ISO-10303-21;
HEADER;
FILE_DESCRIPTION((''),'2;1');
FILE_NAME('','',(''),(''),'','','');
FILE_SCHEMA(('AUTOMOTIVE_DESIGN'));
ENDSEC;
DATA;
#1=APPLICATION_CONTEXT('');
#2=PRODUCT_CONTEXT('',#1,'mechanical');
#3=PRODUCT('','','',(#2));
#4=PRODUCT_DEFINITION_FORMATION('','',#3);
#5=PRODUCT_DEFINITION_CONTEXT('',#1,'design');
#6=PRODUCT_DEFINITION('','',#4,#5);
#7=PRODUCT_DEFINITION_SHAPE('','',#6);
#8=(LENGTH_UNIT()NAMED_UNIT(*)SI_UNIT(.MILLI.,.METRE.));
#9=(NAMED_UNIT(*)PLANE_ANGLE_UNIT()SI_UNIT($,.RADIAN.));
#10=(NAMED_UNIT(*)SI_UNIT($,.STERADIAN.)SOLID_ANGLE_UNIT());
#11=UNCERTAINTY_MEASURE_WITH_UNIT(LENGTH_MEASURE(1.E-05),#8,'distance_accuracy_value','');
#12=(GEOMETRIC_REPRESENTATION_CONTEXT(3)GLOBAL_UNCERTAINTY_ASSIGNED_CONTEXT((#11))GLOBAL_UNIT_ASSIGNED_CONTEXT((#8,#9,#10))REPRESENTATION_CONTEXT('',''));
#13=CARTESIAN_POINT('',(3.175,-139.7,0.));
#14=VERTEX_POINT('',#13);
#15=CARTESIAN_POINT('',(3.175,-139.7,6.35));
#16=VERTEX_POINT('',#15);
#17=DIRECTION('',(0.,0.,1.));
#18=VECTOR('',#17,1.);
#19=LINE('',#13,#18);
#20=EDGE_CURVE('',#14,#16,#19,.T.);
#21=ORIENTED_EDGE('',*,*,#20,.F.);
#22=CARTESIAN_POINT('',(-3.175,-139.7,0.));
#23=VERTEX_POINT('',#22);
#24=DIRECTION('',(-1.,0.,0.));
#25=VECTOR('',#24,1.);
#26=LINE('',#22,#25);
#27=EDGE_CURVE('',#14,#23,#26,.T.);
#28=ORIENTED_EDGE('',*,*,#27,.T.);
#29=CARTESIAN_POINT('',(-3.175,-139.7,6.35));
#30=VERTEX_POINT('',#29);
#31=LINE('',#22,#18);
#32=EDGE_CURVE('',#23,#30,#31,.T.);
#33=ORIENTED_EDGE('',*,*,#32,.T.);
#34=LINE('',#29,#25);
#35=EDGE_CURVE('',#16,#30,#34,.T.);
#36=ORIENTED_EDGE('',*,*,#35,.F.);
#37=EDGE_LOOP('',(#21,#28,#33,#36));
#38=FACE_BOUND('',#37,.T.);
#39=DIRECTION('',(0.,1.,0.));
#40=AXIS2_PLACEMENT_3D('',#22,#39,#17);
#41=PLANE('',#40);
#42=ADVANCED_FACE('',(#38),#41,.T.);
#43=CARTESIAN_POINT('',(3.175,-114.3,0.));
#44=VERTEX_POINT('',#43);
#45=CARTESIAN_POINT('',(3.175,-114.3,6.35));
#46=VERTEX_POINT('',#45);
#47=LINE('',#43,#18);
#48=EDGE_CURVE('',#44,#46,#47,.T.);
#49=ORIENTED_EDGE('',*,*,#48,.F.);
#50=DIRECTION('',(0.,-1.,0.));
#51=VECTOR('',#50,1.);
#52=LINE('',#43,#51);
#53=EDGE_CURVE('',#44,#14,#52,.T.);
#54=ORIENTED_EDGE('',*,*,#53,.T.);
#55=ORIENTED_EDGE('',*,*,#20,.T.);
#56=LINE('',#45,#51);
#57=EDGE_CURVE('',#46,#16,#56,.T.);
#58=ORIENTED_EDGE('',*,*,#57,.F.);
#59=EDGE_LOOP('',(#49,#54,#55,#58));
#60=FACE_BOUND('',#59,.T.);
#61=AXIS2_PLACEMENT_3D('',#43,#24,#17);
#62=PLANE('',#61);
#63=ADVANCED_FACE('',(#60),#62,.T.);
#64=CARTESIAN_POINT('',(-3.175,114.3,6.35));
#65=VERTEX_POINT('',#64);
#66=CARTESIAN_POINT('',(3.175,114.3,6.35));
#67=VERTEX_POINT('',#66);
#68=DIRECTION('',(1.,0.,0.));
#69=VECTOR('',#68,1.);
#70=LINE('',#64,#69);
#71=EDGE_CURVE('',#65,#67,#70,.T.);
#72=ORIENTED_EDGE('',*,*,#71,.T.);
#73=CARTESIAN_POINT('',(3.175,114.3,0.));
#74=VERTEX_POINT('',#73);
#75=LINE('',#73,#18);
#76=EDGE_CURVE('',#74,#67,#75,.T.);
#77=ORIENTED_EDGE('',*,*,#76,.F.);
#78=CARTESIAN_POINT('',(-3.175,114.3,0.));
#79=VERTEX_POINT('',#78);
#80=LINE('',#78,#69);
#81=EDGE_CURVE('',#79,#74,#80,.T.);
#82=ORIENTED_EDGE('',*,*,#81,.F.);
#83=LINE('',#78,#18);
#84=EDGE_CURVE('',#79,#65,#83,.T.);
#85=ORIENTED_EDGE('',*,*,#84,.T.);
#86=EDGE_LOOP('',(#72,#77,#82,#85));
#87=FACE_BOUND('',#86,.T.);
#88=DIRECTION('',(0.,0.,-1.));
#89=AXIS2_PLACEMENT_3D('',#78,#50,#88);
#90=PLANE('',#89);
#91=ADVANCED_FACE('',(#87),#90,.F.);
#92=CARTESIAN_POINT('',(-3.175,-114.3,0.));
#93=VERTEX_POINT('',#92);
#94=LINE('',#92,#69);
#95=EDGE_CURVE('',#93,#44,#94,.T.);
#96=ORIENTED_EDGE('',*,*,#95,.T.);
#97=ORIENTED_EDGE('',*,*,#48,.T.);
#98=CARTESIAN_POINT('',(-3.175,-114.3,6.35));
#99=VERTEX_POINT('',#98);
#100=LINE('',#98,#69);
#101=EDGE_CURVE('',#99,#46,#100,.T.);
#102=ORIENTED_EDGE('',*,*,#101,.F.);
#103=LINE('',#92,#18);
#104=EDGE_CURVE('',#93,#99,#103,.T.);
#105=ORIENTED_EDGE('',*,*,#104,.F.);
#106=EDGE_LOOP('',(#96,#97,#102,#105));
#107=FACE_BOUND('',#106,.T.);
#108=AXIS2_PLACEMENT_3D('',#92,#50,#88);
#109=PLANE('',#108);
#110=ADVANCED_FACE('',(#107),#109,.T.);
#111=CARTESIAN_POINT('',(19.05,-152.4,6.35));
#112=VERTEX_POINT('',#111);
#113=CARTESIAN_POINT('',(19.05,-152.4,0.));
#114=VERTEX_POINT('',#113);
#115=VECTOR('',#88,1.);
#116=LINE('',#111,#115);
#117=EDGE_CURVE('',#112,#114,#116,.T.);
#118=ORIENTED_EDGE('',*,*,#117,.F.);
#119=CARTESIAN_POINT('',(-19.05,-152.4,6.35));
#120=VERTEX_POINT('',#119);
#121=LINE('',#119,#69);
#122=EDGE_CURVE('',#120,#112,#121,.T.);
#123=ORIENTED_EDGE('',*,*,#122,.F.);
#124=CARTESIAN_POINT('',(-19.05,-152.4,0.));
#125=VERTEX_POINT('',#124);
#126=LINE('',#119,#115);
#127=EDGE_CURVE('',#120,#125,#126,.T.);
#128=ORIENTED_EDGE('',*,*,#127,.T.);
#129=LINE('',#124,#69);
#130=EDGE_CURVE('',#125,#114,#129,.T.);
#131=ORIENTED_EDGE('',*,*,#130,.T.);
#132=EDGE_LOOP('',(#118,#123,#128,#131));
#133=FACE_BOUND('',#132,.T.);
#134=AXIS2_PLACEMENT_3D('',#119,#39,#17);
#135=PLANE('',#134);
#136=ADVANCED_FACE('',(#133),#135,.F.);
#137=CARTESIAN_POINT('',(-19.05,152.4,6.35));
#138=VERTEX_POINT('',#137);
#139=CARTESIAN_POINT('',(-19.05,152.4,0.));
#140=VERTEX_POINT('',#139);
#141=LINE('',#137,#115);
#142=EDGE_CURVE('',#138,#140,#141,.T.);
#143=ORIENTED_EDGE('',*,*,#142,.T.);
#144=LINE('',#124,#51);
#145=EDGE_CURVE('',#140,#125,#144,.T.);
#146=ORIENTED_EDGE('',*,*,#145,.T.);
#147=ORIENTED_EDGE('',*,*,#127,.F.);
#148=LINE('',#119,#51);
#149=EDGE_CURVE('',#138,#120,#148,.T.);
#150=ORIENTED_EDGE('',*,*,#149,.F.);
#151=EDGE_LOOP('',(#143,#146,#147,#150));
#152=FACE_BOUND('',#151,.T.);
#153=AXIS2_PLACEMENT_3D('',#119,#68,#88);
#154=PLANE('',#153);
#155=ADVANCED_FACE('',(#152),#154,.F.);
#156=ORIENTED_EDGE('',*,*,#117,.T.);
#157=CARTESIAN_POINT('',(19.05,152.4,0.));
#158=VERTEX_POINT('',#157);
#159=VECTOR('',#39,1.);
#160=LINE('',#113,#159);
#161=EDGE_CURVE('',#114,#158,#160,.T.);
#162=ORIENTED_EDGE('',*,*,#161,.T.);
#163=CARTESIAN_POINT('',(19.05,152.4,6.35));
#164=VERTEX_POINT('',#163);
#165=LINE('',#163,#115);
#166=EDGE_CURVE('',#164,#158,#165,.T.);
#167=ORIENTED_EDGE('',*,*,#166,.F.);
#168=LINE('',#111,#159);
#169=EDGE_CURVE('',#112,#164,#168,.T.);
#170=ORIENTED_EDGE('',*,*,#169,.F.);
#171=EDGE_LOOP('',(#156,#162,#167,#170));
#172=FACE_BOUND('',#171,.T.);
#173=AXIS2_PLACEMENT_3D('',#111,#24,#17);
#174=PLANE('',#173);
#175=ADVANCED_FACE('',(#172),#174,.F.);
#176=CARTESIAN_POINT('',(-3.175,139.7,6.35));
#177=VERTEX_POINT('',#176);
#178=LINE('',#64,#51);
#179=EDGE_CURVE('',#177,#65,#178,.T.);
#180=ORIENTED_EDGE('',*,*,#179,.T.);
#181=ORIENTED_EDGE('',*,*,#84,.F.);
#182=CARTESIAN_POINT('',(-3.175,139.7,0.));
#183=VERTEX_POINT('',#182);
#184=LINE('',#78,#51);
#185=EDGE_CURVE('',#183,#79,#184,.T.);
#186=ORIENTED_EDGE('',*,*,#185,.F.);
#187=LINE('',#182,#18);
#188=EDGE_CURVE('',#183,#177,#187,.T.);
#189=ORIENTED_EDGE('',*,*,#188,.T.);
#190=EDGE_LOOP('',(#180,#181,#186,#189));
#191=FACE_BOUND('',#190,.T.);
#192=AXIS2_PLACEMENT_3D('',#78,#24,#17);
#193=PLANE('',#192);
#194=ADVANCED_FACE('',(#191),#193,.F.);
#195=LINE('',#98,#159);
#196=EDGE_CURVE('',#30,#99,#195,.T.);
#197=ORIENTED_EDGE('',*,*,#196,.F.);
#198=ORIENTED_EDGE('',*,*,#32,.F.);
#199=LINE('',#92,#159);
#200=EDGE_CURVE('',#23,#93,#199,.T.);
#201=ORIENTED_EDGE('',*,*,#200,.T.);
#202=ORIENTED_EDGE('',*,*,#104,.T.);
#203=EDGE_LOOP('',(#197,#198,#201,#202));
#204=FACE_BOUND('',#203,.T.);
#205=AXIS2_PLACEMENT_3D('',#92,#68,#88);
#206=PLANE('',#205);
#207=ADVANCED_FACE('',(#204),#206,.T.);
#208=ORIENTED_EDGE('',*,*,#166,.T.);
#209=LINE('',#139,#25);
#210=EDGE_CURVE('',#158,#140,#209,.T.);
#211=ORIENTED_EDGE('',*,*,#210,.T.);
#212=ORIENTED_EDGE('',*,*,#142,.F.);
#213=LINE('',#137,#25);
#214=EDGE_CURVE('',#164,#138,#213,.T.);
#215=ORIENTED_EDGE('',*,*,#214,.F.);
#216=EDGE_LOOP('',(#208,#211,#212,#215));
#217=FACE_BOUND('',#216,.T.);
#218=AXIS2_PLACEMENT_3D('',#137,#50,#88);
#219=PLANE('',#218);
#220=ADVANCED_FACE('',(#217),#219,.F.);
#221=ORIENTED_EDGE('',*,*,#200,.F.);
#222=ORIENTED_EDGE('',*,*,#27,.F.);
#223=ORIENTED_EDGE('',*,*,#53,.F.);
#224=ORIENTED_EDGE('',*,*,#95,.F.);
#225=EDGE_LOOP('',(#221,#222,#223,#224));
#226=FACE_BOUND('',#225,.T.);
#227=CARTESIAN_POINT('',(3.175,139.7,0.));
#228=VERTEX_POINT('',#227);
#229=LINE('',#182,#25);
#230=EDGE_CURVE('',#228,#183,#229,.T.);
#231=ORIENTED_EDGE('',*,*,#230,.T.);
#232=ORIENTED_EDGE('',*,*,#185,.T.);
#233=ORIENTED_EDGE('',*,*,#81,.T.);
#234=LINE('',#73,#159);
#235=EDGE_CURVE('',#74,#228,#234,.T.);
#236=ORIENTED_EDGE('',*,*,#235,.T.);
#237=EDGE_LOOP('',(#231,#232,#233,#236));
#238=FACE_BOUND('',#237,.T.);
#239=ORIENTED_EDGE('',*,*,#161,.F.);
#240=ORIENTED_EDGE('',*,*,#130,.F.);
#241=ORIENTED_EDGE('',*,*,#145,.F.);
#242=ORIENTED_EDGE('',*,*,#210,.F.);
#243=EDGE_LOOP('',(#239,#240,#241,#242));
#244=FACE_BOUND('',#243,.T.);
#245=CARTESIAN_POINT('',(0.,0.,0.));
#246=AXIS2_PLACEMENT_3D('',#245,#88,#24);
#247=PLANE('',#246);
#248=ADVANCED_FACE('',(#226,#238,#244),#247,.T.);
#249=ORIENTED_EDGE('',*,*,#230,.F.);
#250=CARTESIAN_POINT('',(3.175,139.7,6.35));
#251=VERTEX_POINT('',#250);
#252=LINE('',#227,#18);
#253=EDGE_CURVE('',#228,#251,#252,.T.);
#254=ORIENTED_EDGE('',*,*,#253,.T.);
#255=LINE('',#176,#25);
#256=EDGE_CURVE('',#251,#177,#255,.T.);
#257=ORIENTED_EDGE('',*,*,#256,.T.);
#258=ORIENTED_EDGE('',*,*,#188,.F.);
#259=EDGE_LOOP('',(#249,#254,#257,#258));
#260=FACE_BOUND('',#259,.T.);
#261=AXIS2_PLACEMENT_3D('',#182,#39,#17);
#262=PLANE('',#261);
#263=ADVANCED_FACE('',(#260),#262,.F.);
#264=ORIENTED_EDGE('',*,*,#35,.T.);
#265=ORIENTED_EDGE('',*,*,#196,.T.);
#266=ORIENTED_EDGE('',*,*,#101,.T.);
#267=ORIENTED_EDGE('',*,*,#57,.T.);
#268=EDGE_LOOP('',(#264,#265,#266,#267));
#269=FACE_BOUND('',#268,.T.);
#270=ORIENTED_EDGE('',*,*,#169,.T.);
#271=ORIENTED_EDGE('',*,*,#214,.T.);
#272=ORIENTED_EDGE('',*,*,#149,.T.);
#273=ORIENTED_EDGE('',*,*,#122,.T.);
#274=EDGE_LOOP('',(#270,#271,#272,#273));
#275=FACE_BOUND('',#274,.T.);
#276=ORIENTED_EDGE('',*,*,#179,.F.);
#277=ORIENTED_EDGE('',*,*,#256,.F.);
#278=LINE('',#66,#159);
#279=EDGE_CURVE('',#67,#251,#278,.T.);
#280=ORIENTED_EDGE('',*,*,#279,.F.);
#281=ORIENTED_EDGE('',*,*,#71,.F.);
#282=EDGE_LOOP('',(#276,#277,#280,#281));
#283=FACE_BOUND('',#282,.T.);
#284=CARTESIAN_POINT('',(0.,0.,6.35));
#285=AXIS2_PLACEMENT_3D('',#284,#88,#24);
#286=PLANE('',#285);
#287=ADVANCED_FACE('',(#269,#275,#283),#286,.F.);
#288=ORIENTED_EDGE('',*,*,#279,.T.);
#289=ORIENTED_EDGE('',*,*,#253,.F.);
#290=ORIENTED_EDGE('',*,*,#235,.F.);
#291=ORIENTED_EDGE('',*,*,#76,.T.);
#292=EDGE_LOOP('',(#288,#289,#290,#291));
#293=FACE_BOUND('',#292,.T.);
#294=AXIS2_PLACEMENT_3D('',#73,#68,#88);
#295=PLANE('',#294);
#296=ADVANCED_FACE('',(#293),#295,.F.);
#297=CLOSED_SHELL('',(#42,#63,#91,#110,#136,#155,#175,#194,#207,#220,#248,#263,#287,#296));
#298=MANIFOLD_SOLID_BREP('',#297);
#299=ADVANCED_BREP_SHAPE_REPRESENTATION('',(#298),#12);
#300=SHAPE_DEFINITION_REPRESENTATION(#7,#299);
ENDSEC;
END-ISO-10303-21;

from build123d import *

# Parameters (mm, degrees)
SKETCH1_W           = 38.1
SKETCH1_H           = 304.8
BOSS_EXTRUDE1_DEPTH = 6.35
SKETCH2_W           = 6.35
SKETCH2_H           = 25.4
CUT_EXTRUDE1_DEPTH  = 7.35


with BuildPart() as part:
    # Sketch1 → Boss-Extrude1 (new body)
    with BuildSketch(Plane.XY):
        Rectangle(SKETCH1_W, SKETCH1_H)
    extrude(amount=BOSS_EXTRUDE1_DEPTH)

    # Sketch2 → Cut-Extrude1 (cut, through all)
    with BuildSketch(Plane.XY.offset(6.35)):
        with Locations((0, 127)):
            Rectangle(SKETCH2_W, SKETCH2_H)
    cut_extrude1 = extrude(amount=-CUT_EXTRUDE1_DEPTH, mode=Mode.SUBTRACT)

    # Mirror1: Cut-Extrude1 across plane
    add(cut_extrude1.mirror(Plane.ZX), mode=Mode.SUBTRACT)


solid = part.part
